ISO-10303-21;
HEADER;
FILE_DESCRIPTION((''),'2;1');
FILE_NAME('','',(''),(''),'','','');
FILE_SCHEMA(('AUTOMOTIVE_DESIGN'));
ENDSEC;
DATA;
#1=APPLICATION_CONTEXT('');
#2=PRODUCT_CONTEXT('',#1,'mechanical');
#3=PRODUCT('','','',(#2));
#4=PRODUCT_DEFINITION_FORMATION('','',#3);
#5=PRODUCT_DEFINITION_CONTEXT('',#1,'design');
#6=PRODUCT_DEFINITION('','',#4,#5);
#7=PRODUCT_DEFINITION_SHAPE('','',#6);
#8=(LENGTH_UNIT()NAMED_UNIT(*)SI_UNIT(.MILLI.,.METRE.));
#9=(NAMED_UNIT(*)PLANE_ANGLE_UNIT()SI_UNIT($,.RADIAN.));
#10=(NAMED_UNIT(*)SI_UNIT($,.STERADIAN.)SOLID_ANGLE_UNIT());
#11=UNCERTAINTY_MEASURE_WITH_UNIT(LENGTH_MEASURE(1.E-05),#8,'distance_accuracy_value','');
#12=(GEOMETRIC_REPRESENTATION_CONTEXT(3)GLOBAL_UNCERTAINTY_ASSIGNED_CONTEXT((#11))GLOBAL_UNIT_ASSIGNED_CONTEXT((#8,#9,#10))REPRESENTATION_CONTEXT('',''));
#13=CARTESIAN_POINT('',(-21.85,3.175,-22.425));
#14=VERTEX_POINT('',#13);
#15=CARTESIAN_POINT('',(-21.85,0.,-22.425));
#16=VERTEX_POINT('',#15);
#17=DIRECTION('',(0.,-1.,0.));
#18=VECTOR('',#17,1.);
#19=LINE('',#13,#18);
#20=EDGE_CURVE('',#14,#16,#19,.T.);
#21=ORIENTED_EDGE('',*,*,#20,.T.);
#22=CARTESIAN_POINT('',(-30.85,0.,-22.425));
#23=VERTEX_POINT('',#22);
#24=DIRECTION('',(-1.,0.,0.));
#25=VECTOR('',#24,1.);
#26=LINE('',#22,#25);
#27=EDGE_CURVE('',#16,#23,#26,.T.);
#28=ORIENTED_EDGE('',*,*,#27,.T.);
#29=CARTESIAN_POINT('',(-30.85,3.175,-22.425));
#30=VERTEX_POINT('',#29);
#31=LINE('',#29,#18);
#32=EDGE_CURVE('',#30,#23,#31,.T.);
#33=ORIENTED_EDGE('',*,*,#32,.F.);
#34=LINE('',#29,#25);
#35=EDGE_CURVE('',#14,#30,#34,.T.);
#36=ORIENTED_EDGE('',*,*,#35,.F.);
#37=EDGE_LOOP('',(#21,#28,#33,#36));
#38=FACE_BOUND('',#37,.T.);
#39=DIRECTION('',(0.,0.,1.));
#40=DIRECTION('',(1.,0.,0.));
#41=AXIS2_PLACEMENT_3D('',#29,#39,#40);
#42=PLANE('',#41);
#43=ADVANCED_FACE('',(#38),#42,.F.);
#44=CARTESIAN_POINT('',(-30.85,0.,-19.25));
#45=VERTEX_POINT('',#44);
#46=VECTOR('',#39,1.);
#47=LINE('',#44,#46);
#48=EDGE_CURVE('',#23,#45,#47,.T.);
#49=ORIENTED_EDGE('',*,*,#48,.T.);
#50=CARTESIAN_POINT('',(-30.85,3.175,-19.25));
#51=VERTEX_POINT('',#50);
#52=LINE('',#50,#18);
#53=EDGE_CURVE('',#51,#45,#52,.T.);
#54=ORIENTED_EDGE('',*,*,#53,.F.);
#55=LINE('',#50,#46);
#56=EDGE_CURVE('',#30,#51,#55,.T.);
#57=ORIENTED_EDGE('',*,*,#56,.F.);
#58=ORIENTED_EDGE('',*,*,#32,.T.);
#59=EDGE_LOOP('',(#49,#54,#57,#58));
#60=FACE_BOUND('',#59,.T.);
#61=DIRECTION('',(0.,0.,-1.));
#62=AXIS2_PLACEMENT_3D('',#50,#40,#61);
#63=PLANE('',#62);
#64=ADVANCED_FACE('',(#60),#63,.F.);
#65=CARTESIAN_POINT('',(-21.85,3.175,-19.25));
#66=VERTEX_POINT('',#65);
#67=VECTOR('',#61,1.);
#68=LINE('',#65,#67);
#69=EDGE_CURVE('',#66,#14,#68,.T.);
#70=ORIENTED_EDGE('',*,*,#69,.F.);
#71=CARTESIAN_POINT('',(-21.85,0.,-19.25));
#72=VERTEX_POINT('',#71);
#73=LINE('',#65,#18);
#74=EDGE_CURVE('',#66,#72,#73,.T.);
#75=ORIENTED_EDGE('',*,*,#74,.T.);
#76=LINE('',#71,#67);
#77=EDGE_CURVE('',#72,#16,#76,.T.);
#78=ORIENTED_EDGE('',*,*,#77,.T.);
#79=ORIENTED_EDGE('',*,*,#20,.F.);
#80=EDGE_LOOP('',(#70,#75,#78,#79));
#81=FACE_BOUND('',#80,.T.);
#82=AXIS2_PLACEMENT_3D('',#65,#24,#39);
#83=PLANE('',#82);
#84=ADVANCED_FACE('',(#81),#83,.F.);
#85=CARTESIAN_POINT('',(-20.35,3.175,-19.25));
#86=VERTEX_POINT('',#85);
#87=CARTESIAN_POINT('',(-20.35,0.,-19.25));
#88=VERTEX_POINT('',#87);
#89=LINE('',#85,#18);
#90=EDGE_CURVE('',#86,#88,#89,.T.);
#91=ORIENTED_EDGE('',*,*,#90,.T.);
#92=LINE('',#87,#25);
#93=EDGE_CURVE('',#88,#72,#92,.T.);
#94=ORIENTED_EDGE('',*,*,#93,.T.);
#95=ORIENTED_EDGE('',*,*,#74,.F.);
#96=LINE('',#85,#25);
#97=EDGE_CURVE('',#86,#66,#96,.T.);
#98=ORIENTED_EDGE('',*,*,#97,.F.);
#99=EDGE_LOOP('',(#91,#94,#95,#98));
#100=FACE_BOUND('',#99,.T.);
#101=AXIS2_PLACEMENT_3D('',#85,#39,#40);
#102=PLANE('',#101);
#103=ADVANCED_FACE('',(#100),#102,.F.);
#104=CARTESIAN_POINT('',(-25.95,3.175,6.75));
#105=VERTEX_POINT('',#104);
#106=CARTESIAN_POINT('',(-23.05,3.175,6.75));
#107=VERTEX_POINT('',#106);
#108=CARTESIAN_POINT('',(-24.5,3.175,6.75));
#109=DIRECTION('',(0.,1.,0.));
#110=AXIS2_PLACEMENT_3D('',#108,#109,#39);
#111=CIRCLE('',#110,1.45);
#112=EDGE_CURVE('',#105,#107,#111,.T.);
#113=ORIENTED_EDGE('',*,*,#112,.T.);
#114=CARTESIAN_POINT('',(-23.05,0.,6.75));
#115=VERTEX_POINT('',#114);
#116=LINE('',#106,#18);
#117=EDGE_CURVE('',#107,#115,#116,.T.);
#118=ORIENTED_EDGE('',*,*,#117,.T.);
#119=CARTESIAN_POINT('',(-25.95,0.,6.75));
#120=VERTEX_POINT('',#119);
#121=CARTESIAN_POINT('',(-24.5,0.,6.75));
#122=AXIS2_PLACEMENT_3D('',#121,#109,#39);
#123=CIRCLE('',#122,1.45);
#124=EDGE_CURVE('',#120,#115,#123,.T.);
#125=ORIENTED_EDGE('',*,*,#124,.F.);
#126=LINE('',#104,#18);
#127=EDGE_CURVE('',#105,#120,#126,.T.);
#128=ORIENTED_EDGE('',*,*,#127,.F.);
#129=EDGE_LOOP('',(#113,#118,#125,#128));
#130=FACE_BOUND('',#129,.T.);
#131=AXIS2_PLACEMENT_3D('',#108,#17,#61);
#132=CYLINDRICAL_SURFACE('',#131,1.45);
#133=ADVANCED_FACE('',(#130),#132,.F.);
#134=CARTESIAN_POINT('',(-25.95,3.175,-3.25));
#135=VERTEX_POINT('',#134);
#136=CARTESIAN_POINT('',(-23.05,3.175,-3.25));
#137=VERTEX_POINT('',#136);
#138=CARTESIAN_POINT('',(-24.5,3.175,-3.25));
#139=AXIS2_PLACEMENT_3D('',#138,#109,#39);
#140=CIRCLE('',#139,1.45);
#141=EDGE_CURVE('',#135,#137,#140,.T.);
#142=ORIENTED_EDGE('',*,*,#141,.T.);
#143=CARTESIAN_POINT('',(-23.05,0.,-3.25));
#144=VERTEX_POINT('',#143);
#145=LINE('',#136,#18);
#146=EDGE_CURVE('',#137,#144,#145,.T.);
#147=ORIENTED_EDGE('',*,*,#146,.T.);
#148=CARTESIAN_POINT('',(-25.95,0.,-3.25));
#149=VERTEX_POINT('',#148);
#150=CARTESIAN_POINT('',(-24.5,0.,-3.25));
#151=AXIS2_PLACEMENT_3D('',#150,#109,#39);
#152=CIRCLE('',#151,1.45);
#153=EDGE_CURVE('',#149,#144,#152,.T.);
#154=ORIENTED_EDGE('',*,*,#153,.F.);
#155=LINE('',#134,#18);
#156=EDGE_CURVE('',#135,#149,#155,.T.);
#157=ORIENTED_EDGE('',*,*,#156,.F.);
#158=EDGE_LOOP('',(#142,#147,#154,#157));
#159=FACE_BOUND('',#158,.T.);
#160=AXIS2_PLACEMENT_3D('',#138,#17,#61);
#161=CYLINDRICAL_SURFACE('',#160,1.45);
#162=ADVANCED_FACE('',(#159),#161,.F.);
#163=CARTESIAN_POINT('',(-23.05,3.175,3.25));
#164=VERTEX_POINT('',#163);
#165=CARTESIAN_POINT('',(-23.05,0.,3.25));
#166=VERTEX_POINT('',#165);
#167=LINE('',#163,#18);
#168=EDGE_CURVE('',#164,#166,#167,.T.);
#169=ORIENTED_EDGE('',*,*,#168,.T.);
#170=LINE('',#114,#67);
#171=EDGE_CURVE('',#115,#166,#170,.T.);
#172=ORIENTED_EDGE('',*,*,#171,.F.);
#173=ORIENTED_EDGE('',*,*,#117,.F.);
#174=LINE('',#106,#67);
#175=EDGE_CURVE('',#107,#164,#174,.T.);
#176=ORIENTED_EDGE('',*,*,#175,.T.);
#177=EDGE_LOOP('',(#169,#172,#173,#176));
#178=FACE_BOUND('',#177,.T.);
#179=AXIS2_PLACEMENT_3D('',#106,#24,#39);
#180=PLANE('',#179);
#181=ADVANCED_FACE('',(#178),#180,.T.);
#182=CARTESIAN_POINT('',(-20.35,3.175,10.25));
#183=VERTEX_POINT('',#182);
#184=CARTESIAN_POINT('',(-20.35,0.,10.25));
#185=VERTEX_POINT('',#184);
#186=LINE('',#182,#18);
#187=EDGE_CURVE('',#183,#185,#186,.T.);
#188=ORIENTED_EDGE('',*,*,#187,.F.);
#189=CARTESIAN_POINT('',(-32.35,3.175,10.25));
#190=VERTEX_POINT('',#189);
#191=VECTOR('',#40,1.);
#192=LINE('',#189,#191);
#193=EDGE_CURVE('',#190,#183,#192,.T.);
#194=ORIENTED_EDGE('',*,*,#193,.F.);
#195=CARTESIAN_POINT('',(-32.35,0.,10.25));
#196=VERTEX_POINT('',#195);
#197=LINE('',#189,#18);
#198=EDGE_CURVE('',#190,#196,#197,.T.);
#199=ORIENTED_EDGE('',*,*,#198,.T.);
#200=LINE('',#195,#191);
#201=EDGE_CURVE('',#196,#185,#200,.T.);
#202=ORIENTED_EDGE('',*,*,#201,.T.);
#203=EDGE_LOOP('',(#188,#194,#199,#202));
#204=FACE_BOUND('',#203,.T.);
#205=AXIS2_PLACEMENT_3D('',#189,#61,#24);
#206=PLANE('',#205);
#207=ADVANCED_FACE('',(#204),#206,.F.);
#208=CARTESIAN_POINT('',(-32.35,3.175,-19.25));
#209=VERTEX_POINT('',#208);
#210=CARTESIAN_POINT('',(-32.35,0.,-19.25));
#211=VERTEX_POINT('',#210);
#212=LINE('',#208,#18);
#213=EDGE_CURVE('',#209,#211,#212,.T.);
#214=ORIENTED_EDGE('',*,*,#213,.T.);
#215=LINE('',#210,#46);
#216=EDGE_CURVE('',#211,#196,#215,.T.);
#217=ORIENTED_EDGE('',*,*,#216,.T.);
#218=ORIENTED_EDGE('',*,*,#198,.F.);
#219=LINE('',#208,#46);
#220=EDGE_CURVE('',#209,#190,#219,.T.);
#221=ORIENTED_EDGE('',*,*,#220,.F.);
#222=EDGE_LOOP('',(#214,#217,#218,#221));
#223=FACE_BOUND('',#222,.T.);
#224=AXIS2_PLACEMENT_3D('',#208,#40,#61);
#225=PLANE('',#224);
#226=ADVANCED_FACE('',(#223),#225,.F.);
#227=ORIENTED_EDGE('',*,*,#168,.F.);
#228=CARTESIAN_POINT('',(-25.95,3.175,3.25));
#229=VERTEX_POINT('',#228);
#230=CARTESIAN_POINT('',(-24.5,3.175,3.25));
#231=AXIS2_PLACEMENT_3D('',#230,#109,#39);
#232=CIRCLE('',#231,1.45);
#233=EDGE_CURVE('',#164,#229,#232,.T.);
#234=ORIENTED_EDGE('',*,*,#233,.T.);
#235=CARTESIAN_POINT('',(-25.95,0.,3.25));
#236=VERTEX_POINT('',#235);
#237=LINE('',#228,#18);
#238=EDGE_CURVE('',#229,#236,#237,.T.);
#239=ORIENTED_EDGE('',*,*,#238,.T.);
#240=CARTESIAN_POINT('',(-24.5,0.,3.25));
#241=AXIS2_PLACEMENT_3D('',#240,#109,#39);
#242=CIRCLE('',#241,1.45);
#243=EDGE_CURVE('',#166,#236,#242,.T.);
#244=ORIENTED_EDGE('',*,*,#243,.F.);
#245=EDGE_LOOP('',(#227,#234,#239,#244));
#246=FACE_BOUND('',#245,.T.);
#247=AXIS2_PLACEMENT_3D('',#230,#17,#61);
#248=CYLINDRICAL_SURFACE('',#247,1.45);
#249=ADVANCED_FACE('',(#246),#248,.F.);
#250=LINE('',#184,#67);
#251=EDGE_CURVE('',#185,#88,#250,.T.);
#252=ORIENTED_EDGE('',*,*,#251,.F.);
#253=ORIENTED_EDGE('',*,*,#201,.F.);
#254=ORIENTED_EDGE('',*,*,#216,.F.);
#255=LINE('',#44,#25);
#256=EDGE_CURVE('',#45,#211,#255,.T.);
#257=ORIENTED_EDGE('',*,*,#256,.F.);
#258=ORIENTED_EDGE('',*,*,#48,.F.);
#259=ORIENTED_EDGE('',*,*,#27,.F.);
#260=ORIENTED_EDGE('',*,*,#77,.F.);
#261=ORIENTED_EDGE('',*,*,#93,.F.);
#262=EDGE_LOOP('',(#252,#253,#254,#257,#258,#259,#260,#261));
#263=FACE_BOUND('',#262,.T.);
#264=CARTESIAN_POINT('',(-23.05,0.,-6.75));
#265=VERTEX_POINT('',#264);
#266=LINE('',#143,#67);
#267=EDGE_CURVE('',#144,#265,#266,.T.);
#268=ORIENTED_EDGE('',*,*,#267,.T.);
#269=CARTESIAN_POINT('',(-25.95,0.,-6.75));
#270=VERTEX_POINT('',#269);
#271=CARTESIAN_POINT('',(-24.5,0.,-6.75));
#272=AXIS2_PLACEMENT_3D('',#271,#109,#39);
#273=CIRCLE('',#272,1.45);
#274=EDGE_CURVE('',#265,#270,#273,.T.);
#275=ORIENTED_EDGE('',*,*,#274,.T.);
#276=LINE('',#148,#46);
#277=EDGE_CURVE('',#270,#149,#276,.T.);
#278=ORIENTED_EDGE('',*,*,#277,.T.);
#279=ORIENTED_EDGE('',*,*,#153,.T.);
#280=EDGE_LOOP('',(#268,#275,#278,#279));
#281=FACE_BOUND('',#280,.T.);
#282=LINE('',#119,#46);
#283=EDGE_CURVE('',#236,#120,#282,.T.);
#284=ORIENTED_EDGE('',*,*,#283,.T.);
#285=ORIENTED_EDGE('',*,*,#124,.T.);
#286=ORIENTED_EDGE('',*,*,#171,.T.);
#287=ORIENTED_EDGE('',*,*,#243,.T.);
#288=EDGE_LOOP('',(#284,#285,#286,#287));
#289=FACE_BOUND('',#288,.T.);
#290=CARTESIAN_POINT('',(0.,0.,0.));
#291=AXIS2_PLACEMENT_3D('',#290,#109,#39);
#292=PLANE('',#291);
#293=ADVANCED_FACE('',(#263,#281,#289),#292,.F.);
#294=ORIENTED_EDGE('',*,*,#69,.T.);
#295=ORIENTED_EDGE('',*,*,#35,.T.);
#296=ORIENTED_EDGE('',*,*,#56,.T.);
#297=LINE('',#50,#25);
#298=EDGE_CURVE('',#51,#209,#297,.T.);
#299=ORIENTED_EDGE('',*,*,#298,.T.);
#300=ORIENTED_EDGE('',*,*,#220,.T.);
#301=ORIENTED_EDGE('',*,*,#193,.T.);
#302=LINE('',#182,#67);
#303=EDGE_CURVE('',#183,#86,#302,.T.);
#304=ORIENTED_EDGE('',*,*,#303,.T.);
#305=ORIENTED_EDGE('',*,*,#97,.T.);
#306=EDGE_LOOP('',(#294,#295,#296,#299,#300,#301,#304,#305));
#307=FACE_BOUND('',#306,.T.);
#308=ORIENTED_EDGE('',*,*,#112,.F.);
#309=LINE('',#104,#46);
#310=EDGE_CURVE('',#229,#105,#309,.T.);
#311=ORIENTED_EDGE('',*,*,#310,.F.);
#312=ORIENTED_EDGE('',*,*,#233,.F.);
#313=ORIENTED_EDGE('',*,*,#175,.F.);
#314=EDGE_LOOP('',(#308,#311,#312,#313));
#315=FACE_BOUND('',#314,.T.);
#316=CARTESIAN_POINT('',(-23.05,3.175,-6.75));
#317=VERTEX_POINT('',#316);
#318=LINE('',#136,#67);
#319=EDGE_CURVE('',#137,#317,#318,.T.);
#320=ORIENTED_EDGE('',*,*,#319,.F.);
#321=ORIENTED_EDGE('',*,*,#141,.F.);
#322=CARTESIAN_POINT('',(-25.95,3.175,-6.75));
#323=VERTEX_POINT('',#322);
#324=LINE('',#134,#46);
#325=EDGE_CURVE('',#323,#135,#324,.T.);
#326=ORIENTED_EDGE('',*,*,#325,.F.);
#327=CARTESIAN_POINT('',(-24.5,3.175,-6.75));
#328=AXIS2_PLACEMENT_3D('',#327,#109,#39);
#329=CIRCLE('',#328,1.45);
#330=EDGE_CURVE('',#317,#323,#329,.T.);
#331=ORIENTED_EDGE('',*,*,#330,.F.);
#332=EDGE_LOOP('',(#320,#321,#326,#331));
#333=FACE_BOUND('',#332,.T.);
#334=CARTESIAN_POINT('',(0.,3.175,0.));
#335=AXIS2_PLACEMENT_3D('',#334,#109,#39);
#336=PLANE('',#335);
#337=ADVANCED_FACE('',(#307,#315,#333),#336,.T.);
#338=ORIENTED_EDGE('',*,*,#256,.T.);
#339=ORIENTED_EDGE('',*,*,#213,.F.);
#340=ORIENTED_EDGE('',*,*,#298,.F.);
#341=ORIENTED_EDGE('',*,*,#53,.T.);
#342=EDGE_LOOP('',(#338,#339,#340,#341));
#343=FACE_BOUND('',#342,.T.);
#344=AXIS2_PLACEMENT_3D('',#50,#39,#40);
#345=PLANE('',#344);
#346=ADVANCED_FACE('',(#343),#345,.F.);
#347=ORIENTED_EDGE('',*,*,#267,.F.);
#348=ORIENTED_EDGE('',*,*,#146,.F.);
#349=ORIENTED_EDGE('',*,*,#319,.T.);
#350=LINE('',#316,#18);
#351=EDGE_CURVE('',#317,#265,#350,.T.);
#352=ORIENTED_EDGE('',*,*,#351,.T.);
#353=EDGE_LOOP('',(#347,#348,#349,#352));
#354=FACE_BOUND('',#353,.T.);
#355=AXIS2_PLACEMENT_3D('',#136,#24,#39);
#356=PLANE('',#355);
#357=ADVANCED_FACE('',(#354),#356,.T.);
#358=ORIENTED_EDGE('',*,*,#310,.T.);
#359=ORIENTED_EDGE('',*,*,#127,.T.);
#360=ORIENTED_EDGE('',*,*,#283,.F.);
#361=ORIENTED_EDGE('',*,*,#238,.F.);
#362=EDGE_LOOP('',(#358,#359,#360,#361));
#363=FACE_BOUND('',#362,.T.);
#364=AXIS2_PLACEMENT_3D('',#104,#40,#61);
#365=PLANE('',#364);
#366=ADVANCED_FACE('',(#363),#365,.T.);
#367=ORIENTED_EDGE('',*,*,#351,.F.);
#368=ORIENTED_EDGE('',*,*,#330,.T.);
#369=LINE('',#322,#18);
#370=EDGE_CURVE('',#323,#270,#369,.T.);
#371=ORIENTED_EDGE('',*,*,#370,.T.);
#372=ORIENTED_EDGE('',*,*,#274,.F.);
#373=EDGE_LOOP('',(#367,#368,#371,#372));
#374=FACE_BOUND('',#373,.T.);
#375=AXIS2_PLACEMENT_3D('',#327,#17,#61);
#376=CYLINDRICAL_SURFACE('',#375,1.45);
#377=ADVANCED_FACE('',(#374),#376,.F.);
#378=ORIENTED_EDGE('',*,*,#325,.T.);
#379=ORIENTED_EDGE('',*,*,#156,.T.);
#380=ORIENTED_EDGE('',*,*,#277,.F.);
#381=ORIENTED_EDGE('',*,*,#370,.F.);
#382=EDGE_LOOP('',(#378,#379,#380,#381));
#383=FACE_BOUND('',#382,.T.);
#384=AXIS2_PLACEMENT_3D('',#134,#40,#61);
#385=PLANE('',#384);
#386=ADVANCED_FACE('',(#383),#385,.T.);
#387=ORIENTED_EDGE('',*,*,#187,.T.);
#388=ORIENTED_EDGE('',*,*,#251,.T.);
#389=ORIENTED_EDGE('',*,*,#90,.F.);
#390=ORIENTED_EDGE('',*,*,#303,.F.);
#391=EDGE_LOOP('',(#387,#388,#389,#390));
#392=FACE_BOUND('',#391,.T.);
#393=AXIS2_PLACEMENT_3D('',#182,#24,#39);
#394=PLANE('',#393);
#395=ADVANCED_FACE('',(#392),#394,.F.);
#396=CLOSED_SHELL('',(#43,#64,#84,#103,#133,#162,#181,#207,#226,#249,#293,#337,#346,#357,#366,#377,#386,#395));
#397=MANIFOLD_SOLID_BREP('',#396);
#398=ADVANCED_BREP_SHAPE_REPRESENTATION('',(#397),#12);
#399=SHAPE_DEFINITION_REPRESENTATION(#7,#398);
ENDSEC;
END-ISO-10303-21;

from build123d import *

# Parameters (mm, degrees)
BOSS_EXTRUDE1_DEPTH = 3.175


with BuildPart() as part:
    # Sketch1 → Boss-Extrude1 (new body)
    with BuildSketch(Plane(origin=(0, 0, 0), x_dir=(1, 0, 0), z_dir=(0, 1, 0))):
        Polygon((-32.35, -10.25), (-20.35, -10.25), (-20.35, 19.25), (-21.85, 19.25), (-21.85, 22.425), (-30.85, 22.425), (-30.85, 19.25), (-32.35, 19.25), align=None)
        with BuildLine():
            Line((-25.95, -6.75), (-25.95, -3.25))
            ThreePointArc((-25.95, -3.25), (-24.5, -1.8), (-23.05, -3.25))
            Line((-23.05, -3.25), (-23.05, -6.75))
            ThreePointArc((-23.05, -6.75), (-24.5, -8.2), (-25.95, -6.75))
        make_face(mode=Mode.SUBTRACT)
        with BuildLine():
            Line((-25.95, 3.25), (-25.95, 6.75))
            ThreePointArc((-25.95, 6.75), (-24.5, 8.2), (-23.05, 6.75))
            Line((-23.05, 6.75), (-23.05, 3.25))
            ThreePointArc((-23.05, 3.25), (-24.5, 1.8), (-25.95, 3.25))
        make_face(mode=Mode.SUBTRACT)
    extrude(amount=BOSS_EXTRUDE1_DEPTH)


solid = part.part
